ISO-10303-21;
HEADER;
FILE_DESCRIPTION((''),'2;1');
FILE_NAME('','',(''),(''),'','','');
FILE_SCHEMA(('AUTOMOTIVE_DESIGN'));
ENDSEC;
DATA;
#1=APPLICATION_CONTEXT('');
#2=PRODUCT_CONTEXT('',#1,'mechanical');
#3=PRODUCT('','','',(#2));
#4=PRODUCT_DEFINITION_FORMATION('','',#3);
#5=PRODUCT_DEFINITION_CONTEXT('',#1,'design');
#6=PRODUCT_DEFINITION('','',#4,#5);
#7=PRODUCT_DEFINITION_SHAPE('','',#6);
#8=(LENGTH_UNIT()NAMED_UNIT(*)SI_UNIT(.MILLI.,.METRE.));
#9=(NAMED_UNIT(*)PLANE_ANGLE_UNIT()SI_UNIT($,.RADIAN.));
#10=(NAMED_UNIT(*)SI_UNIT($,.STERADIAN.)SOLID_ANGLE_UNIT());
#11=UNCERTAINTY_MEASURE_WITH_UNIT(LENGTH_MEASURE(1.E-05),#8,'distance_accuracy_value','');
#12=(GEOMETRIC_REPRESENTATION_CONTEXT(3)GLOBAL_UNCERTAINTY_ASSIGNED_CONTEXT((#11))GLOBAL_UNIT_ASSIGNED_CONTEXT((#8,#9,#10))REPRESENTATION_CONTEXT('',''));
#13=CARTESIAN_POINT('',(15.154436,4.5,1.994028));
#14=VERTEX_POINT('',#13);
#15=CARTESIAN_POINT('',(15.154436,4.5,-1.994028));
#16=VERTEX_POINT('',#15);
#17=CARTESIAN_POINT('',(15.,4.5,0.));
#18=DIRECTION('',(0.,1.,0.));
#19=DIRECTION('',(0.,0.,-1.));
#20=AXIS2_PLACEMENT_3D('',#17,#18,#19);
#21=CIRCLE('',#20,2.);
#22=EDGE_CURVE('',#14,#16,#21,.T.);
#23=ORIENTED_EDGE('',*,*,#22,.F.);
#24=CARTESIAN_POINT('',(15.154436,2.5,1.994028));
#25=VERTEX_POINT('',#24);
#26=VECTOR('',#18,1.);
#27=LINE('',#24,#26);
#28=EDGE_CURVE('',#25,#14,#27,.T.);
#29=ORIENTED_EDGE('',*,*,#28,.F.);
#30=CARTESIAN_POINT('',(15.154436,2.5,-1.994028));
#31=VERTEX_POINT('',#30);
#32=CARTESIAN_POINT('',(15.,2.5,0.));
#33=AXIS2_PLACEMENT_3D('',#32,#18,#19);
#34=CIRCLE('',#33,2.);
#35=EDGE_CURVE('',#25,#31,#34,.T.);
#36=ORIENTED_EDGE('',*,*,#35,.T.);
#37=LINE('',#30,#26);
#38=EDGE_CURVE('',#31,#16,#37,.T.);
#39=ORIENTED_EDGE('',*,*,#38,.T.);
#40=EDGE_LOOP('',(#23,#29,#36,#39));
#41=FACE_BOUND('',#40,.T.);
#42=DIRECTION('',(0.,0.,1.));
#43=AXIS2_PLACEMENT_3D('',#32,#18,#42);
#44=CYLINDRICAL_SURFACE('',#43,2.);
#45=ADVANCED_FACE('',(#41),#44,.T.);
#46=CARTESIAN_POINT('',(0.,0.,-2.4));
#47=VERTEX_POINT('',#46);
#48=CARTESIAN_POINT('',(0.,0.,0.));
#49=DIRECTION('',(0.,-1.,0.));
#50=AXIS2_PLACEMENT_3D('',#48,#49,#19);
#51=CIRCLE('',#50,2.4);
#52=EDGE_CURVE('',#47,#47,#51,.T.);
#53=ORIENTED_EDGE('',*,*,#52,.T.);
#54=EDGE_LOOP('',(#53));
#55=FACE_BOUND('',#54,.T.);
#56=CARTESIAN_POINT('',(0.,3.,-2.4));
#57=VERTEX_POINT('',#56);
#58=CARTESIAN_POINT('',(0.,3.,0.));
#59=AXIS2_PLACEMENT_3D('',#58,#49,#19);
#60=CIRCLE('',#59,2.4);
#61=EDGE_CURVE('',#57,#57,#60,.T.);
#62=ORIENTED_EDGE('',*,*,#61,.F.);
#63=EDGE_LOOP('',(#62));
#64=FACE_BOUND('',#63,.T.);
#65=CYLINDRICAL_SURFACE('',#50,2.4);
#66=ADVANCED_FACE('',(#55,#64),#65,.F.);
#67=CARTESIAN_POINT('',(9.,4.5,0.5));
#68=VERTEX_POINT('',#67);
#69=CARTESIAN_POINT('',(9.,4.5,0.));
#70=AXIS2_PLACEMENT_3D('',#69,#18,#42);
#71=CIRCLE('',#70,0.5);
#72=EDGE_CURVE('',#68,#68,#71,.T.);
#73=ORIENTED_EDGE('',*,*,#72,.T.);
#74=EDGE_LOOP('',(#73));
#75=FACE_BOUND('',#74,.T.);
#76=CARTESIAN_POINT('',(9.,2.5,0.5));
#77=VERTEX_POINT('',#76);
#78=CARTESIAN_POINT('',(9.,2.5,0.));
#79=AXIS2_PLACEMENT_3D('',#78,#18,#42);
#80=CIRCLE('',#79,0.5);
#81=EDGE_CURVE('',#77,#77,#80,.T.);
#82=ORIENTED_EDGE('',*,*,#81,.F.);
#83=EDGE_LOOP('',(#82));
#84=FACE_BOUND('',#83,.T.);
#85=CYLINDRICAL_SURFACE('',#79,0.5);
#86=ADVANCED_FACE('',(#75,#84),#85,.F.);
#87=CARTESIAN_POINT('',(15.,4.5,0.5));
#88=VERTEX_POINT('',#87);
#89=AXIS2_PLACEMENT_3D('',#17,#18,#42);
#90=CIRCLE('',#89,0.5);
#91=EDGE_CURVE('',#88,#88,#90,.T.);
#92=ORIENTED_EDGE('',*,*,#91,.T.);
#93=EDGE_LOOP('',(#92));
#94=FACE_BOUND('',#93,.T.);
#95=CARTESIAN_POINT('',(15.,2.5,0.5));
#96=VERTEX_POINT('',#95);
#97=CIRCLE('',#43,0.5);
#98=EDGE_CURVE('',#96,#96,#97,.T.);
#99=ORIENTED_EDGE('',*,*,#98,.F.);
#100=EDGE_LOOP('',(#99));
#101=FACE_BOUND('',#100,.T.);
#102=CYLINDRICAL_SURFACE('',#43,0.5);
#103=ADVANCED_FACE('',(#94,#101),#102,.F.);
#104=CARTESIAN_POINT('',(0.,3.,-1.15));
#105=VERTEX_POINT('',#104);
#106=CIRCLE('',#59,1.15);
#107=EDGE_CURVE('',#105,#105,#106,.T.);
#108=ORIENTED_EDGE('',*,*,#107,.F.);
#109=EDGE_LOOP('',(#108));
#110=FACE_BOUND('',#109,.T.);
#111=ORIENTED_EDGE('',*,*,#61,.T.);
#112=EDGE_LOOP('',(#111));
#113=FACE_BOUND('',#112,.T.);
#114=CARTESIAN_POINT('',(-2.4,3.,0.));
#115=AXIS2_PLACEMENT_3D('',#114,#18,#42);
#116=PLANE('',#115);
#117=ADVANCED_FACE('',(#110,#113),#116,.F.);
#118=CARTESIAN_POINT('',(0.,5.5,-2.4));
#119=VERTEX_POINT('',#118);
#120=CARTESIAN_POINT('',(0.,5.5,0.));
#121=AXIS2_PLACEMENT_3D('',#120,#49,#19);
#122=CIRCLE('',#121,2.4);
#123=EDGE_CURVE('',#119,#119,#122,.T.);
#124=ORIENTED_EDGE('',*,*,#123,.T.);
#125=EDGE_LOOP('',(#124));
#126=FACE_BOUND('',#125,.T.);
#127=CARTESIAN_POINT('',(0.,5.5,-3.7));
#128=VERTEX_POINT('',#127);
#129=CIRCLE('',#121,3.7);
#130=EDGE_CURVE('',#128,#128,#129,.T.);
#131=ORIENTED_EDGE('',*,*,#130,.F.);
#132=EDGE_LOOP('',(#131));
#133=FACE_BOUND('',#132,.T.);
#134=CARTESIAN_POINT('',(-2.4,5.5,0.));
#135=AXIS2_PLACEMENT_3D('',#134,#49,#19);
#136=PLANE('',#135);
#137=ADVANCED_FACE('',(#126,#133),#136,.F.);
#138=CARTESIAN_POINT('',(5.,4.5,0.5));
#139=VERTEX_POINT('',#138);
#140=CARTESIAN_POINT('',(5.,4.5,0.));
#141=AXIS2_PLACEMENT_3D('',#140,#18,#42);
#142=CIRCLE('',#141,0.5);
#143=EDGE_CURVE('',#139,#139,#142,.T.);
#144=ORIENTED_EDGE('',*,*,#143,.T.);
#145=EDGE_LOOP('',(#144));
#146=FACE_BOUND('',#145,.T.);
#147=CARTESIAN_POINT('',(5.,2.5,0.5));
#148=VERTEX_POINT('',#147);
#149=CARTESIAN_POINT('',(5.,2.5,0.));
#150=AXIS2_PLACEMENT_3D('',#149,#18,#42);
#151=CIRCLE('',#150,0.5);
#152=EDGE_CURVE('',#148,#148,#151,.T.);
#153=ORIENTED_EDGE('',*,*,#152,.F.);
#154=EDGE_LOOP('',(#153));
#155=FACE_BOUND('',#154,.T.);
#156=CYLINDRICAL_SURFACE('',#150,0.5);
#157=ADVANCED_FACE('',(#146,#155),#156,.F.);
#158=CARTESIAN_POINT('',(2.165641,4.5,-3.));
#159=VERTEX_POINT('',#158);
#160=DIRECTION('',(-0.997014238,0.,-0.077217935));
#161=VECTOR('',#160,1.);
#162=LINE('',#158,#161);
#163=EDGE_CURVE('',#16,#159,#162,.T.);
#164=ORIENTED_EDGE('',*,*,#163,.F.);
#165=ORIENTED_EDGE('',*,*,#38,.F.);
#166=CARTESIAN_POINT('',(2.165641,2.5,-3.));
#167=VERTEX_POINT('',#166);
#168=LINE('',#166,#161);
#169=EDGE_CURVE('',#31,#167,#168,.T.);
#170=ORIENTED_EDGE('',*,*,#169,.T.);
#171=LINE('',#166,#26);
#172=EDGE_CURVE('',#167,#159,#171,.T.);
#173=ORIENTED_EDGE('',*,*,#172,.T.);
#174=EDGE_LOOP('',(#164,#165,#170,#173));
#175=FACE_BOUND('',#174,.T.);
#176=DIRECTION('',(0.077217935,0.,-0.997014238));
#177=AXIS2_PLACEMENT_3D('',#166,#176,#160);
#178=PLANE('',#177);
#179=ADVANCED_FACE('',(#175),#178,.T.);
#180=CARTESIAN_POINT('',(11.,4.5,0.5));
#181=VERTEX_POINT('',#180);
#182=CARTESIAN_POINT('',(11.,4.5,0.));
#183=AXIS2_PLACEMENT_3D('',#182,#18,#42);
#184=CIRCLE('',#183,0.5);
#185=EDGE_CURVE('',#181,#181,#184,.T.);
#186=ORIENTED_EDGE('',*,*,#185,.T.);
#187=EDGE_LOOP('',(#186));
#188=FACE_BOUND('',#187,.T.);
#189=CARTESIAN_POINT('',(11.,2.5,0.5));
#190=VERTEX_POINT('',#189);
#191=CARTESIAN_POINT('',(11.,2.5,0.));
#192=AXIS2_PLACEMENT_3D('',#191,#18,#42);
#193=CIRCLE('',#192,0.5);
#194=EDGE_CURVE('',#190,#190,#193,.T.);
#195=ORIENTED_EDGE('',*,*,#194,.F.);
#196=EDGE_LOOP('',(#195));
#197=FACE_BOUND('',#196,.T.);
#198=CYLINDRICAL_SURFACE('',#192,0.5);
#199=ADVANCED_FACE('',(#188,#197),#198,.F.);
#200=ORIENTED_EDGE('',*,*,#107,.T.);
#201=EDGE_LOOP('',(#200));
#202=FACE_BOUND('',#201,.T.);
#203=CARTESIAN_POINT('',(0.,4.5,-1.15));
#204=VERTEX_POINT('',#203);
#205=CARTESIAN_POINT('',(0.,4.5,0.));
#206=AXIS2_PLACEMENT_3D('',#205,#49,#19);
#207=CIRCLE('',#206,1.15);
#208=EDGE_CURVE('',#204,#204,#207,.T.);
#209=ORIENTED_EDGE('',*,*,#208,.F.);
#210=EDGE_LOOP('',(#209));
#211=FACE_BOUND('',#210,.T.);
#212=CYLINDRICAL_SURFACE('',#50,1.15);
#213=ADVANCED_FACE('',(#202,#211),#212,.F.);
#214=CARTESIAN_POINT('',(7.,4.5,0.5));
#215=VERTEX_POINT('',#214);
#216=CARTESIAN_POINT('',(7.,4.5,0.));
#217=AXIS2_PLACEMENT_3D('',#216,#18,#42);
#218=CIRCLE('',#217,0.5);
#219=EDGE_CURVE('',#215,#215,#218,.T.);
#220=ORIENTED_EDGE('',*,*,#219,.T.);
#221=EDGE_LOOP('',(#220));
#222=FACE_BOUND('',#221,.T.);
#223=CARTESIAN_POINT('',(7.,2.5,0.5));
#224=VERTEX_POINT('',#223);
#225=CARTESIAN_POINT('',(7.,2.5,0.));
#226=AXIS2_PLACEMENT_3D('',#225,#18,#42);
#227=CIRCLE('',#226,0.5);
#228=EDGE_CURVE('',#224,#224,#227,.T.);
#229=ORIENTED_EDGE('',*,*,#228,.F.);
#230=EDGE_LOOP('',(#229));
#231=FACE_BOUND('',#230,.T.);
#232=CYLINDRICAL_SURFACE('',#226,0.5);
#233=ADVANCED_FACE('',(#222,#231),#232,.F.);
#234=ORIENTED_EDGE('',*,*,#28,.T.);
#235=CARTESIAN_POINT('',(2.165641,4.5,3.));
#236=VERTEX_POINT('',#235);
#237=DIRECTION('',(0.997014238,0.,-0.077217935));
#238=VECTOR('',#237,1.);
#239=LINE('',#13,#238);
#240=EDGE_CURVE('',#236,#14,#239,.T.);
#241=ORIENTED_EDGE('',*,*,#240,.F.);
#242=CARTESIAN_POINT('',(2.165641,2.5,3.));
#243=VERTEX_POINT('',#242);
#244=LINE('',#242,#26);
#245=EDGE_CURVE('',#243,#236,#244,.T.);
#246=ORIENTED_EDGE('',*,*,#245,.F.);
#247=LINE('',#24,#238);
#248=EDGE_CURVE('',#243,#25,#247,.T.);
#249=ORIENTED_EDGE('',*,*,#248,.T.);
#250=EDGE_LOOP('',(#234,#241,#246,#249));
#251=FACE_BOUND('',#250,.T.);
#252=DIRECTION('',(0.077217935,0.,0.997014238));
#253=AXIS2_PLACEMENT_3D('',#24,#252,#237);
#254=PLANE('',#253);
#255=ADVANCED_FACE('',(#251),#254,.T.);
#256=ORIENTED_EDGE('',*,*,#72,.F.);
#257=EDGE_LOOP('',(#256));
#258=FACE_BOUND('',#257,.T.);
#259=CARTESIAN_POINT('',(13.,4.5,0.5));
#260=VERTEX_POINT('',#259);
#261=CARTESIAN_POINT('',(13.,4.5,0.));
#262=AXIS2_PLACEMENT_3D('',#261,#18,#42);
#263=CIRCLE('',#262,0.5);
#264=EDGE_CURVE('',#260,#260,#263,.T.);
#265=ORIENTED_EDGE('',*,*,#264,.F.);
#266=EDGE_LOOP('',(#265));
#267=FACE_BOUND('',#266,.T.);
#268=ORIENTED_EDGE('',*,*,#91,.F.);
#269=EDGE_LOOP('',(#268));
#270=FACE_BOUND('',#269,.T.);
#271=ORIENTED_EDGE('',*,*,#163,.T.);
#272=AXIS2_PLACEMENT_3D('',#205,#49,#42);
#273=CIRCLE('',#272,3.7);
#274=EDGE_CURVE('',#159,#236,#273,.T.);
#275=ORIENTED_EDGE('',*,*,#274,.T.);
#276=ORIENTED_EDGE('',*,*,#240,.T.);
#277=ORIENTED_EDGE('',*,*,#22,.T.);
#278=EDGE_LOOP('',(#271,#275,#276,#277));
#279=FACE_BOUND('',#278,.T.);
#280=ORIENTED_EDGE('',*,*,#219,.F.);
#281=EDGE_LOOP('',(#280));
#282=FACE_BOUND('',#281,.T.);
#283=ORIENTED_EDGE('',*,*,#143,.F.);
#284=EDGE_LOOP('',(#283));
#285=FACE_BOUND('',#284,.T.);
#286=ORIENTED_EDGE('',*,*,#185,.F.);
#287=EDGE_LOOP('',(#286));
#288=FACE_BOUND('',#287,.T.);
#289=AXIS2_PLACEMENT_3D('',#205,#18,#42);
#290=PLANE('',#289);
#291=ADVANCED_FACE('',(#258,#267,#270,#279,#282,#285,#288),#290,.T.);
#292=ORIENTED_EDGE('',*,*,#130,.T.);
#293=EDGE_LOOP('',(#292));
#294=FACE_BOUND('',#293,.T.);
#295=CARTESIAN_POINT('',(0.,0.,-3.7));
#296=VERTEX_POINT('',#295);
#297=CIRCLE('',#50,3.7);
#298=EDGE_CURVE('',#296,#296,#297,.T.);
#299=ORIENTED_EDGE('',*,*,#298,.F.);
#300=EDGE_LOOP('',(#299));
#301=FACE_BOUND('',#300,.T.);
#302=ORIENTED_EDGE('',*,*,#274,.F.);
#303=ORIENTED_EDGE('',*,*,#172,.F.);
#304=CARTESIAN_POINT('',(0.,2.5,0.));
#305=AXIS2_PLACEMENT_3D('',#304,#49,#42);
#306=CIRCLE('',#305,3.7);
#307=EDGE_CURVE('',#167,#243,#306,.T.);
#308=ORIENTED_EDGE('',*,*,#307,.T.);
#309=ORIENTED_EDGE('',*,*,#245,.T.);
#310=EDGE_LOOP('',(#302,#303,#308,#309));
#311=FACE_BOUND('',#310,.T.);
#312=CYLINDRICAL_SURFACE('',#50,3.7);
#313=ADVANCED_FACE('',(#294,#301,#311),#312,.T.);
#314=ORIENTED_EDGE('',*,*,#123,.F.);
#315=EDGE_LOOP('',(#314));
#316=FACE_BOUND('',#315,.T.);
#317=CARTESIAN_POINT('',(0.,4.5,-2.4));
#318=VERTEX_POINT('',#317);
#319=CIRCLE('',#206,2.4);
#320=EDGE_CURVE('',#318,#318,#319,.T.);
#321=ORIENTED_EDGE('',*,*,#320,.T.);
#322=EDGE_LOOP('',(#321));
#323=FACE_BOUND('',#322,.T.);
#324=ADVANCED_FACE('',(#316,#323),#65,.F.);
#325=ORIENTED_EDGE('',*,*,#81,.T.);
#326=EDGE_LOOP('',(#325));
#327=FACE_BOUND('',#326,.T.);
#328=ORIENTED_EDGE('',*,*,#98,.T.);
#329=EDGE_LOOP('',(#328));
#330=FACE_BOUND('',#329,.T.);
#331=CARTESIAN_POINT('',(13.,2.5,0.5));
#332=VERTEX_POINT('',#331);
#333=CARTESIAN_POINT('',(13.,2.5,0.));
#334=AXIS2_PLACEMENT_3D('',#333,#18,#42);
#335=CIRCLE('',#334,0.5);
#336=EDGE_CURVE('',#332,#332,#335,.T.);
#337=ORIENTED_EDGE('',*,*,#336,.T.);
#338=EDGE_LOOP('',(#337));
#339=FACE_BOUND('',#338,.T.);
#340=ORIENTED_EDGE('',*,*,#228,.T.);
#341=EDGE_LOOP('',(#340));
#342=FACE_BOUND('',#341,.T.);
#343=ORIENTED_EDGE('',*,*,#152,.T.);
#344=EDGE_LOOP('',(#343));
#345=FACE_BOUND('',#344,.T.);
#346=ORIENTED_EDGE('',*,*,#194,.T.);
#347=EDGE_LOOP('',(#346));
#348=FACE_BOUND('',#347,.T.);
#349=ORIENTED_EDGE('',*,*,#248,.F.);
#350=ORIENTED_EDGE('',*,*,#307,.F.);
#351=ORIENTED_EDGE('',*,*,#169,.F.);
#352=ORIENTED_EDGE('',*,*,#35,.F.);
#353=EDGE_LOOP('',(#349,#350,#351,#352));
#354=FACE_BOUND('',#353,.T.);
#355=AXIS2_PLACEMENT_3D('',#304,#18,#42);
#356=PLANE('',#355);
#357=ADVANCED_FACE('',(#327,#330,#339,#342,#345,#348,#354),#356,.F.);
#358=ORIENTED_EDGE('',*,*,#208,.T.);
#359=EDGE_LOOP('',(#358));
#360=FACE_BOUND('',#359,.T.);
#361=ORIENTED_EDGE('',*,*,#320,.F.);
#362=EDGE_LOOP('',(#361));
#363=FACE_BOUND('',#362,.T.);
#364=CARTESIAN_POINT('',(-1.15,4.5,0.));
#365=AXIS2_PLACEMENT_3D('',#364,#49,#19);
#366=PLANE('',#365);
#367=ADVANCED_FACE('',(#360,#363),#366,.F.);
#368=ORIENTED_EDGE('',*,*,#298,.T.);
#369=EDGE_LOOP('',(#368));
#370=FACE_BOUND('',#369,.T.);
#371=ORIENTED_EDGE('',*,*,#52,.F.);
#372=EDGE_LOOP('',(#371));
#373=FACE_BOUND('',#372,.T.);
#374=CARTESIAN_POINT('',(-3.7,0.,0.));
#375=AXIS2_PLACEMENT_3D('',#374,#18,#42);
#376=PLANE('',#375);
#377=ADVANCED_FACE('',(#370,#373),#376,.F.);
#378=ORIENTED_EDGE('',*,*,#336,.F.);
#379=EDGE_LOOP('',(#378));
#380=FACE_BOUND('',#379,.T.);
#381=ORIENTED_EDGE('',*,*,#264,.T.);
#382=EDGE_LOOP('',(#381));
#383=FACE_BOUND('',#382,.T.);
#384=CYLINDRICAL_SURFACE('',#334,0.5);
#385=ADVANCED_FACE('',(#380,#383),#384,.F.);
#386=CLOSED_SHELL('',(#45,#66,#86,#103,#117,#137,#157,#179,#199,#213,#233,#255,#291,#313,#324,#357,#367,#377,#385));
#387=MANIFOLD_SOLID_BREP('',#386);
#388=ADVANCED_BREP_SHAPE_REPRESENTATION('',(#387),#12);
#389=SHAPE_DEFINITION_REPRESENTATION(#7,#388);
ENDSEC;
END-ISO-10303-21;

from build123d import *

# Parameters (mm, degrees)
BOSS_EXTRU_1_START = -3
ESQUISSE2_R        = 0.5
BOSS_EXTRU_1_DEPTH = 2


with BuildPart() as part:
    # Esquisse1 → Révolution1 (revolve)
    with BuildSketch(Plane.XY, mode=Mode.PRIVATE) as r_volution1_sk:
        Polygon((-2.4, 0), (-2.4, 3), (-1.15, 3), (-1.15, 4.5), (-2.4, 4.5), (-2.4, 5.5), (-3.7, 5.5), (-3.7, 0), align=None)
    revolve(r_volution1_sk.sketch.rotate(Axis((0, 0, 0), (0, 1, 0)), 270), axis=Axis((0, 0, 0), (0, 1, 0)))

    # Esquisse2 → Boss.-Extru.1 (add)
    with BuildSketch(Plane(origin=(0, 5.5, 0), x_dir=(1, 0, 0), z_dir=(0, 1, 0)).offset(BOSS_EXTRU_1_START)):
        with BuildLine():
            Line((2.165640783, 3), (15.15443587, 1.994028476))
            ThreePointArc((15.15443587, 1.994028476), (17, 0), (15.15443587, -1.994028476))
            Line((15.15443587, -1.994028476), (2.165640783, -3))
            ThreePointArc((2.165640783, -3), (3.7, 0), (2.165640783, 3))
        make_face()
        with Locations(Location((15, 0, 0), (0, 0, 270))):
            Circle(ESQUISSE2_R, mode=Mode.SUBTRACT)
        with Locations(Location((13, 0, 0), (0, 0, 270))):
            Circle(ESQUISSE2_R, mode=Mode.SUBTRACT)
        with Locations(Location((11, 0, 0), (0, 0, 270))):
            Circle(ESQUISSE2_R, mode=Mode.SUBTRACT)
        with Locations(Location((9, 0, 0), (0, 0, 270))):
            Circle(ESQUISSE2_R, mode=Mode.SUBTRACT)
        with Locations(Location((7, 0, 0), (0, 0, 270))):
            Circle(ESQUISSE2_R, mode=Mode.SUBTRACT)
        with Locations(Location((5, 0, 0), (0, 0, 270))):
            Circle(ESQUISSE2_R, mode=Mode.SUBTRACT)
    extrude(amount=BOSS_EXTRU_1_DEPTH)


solid = part.part
